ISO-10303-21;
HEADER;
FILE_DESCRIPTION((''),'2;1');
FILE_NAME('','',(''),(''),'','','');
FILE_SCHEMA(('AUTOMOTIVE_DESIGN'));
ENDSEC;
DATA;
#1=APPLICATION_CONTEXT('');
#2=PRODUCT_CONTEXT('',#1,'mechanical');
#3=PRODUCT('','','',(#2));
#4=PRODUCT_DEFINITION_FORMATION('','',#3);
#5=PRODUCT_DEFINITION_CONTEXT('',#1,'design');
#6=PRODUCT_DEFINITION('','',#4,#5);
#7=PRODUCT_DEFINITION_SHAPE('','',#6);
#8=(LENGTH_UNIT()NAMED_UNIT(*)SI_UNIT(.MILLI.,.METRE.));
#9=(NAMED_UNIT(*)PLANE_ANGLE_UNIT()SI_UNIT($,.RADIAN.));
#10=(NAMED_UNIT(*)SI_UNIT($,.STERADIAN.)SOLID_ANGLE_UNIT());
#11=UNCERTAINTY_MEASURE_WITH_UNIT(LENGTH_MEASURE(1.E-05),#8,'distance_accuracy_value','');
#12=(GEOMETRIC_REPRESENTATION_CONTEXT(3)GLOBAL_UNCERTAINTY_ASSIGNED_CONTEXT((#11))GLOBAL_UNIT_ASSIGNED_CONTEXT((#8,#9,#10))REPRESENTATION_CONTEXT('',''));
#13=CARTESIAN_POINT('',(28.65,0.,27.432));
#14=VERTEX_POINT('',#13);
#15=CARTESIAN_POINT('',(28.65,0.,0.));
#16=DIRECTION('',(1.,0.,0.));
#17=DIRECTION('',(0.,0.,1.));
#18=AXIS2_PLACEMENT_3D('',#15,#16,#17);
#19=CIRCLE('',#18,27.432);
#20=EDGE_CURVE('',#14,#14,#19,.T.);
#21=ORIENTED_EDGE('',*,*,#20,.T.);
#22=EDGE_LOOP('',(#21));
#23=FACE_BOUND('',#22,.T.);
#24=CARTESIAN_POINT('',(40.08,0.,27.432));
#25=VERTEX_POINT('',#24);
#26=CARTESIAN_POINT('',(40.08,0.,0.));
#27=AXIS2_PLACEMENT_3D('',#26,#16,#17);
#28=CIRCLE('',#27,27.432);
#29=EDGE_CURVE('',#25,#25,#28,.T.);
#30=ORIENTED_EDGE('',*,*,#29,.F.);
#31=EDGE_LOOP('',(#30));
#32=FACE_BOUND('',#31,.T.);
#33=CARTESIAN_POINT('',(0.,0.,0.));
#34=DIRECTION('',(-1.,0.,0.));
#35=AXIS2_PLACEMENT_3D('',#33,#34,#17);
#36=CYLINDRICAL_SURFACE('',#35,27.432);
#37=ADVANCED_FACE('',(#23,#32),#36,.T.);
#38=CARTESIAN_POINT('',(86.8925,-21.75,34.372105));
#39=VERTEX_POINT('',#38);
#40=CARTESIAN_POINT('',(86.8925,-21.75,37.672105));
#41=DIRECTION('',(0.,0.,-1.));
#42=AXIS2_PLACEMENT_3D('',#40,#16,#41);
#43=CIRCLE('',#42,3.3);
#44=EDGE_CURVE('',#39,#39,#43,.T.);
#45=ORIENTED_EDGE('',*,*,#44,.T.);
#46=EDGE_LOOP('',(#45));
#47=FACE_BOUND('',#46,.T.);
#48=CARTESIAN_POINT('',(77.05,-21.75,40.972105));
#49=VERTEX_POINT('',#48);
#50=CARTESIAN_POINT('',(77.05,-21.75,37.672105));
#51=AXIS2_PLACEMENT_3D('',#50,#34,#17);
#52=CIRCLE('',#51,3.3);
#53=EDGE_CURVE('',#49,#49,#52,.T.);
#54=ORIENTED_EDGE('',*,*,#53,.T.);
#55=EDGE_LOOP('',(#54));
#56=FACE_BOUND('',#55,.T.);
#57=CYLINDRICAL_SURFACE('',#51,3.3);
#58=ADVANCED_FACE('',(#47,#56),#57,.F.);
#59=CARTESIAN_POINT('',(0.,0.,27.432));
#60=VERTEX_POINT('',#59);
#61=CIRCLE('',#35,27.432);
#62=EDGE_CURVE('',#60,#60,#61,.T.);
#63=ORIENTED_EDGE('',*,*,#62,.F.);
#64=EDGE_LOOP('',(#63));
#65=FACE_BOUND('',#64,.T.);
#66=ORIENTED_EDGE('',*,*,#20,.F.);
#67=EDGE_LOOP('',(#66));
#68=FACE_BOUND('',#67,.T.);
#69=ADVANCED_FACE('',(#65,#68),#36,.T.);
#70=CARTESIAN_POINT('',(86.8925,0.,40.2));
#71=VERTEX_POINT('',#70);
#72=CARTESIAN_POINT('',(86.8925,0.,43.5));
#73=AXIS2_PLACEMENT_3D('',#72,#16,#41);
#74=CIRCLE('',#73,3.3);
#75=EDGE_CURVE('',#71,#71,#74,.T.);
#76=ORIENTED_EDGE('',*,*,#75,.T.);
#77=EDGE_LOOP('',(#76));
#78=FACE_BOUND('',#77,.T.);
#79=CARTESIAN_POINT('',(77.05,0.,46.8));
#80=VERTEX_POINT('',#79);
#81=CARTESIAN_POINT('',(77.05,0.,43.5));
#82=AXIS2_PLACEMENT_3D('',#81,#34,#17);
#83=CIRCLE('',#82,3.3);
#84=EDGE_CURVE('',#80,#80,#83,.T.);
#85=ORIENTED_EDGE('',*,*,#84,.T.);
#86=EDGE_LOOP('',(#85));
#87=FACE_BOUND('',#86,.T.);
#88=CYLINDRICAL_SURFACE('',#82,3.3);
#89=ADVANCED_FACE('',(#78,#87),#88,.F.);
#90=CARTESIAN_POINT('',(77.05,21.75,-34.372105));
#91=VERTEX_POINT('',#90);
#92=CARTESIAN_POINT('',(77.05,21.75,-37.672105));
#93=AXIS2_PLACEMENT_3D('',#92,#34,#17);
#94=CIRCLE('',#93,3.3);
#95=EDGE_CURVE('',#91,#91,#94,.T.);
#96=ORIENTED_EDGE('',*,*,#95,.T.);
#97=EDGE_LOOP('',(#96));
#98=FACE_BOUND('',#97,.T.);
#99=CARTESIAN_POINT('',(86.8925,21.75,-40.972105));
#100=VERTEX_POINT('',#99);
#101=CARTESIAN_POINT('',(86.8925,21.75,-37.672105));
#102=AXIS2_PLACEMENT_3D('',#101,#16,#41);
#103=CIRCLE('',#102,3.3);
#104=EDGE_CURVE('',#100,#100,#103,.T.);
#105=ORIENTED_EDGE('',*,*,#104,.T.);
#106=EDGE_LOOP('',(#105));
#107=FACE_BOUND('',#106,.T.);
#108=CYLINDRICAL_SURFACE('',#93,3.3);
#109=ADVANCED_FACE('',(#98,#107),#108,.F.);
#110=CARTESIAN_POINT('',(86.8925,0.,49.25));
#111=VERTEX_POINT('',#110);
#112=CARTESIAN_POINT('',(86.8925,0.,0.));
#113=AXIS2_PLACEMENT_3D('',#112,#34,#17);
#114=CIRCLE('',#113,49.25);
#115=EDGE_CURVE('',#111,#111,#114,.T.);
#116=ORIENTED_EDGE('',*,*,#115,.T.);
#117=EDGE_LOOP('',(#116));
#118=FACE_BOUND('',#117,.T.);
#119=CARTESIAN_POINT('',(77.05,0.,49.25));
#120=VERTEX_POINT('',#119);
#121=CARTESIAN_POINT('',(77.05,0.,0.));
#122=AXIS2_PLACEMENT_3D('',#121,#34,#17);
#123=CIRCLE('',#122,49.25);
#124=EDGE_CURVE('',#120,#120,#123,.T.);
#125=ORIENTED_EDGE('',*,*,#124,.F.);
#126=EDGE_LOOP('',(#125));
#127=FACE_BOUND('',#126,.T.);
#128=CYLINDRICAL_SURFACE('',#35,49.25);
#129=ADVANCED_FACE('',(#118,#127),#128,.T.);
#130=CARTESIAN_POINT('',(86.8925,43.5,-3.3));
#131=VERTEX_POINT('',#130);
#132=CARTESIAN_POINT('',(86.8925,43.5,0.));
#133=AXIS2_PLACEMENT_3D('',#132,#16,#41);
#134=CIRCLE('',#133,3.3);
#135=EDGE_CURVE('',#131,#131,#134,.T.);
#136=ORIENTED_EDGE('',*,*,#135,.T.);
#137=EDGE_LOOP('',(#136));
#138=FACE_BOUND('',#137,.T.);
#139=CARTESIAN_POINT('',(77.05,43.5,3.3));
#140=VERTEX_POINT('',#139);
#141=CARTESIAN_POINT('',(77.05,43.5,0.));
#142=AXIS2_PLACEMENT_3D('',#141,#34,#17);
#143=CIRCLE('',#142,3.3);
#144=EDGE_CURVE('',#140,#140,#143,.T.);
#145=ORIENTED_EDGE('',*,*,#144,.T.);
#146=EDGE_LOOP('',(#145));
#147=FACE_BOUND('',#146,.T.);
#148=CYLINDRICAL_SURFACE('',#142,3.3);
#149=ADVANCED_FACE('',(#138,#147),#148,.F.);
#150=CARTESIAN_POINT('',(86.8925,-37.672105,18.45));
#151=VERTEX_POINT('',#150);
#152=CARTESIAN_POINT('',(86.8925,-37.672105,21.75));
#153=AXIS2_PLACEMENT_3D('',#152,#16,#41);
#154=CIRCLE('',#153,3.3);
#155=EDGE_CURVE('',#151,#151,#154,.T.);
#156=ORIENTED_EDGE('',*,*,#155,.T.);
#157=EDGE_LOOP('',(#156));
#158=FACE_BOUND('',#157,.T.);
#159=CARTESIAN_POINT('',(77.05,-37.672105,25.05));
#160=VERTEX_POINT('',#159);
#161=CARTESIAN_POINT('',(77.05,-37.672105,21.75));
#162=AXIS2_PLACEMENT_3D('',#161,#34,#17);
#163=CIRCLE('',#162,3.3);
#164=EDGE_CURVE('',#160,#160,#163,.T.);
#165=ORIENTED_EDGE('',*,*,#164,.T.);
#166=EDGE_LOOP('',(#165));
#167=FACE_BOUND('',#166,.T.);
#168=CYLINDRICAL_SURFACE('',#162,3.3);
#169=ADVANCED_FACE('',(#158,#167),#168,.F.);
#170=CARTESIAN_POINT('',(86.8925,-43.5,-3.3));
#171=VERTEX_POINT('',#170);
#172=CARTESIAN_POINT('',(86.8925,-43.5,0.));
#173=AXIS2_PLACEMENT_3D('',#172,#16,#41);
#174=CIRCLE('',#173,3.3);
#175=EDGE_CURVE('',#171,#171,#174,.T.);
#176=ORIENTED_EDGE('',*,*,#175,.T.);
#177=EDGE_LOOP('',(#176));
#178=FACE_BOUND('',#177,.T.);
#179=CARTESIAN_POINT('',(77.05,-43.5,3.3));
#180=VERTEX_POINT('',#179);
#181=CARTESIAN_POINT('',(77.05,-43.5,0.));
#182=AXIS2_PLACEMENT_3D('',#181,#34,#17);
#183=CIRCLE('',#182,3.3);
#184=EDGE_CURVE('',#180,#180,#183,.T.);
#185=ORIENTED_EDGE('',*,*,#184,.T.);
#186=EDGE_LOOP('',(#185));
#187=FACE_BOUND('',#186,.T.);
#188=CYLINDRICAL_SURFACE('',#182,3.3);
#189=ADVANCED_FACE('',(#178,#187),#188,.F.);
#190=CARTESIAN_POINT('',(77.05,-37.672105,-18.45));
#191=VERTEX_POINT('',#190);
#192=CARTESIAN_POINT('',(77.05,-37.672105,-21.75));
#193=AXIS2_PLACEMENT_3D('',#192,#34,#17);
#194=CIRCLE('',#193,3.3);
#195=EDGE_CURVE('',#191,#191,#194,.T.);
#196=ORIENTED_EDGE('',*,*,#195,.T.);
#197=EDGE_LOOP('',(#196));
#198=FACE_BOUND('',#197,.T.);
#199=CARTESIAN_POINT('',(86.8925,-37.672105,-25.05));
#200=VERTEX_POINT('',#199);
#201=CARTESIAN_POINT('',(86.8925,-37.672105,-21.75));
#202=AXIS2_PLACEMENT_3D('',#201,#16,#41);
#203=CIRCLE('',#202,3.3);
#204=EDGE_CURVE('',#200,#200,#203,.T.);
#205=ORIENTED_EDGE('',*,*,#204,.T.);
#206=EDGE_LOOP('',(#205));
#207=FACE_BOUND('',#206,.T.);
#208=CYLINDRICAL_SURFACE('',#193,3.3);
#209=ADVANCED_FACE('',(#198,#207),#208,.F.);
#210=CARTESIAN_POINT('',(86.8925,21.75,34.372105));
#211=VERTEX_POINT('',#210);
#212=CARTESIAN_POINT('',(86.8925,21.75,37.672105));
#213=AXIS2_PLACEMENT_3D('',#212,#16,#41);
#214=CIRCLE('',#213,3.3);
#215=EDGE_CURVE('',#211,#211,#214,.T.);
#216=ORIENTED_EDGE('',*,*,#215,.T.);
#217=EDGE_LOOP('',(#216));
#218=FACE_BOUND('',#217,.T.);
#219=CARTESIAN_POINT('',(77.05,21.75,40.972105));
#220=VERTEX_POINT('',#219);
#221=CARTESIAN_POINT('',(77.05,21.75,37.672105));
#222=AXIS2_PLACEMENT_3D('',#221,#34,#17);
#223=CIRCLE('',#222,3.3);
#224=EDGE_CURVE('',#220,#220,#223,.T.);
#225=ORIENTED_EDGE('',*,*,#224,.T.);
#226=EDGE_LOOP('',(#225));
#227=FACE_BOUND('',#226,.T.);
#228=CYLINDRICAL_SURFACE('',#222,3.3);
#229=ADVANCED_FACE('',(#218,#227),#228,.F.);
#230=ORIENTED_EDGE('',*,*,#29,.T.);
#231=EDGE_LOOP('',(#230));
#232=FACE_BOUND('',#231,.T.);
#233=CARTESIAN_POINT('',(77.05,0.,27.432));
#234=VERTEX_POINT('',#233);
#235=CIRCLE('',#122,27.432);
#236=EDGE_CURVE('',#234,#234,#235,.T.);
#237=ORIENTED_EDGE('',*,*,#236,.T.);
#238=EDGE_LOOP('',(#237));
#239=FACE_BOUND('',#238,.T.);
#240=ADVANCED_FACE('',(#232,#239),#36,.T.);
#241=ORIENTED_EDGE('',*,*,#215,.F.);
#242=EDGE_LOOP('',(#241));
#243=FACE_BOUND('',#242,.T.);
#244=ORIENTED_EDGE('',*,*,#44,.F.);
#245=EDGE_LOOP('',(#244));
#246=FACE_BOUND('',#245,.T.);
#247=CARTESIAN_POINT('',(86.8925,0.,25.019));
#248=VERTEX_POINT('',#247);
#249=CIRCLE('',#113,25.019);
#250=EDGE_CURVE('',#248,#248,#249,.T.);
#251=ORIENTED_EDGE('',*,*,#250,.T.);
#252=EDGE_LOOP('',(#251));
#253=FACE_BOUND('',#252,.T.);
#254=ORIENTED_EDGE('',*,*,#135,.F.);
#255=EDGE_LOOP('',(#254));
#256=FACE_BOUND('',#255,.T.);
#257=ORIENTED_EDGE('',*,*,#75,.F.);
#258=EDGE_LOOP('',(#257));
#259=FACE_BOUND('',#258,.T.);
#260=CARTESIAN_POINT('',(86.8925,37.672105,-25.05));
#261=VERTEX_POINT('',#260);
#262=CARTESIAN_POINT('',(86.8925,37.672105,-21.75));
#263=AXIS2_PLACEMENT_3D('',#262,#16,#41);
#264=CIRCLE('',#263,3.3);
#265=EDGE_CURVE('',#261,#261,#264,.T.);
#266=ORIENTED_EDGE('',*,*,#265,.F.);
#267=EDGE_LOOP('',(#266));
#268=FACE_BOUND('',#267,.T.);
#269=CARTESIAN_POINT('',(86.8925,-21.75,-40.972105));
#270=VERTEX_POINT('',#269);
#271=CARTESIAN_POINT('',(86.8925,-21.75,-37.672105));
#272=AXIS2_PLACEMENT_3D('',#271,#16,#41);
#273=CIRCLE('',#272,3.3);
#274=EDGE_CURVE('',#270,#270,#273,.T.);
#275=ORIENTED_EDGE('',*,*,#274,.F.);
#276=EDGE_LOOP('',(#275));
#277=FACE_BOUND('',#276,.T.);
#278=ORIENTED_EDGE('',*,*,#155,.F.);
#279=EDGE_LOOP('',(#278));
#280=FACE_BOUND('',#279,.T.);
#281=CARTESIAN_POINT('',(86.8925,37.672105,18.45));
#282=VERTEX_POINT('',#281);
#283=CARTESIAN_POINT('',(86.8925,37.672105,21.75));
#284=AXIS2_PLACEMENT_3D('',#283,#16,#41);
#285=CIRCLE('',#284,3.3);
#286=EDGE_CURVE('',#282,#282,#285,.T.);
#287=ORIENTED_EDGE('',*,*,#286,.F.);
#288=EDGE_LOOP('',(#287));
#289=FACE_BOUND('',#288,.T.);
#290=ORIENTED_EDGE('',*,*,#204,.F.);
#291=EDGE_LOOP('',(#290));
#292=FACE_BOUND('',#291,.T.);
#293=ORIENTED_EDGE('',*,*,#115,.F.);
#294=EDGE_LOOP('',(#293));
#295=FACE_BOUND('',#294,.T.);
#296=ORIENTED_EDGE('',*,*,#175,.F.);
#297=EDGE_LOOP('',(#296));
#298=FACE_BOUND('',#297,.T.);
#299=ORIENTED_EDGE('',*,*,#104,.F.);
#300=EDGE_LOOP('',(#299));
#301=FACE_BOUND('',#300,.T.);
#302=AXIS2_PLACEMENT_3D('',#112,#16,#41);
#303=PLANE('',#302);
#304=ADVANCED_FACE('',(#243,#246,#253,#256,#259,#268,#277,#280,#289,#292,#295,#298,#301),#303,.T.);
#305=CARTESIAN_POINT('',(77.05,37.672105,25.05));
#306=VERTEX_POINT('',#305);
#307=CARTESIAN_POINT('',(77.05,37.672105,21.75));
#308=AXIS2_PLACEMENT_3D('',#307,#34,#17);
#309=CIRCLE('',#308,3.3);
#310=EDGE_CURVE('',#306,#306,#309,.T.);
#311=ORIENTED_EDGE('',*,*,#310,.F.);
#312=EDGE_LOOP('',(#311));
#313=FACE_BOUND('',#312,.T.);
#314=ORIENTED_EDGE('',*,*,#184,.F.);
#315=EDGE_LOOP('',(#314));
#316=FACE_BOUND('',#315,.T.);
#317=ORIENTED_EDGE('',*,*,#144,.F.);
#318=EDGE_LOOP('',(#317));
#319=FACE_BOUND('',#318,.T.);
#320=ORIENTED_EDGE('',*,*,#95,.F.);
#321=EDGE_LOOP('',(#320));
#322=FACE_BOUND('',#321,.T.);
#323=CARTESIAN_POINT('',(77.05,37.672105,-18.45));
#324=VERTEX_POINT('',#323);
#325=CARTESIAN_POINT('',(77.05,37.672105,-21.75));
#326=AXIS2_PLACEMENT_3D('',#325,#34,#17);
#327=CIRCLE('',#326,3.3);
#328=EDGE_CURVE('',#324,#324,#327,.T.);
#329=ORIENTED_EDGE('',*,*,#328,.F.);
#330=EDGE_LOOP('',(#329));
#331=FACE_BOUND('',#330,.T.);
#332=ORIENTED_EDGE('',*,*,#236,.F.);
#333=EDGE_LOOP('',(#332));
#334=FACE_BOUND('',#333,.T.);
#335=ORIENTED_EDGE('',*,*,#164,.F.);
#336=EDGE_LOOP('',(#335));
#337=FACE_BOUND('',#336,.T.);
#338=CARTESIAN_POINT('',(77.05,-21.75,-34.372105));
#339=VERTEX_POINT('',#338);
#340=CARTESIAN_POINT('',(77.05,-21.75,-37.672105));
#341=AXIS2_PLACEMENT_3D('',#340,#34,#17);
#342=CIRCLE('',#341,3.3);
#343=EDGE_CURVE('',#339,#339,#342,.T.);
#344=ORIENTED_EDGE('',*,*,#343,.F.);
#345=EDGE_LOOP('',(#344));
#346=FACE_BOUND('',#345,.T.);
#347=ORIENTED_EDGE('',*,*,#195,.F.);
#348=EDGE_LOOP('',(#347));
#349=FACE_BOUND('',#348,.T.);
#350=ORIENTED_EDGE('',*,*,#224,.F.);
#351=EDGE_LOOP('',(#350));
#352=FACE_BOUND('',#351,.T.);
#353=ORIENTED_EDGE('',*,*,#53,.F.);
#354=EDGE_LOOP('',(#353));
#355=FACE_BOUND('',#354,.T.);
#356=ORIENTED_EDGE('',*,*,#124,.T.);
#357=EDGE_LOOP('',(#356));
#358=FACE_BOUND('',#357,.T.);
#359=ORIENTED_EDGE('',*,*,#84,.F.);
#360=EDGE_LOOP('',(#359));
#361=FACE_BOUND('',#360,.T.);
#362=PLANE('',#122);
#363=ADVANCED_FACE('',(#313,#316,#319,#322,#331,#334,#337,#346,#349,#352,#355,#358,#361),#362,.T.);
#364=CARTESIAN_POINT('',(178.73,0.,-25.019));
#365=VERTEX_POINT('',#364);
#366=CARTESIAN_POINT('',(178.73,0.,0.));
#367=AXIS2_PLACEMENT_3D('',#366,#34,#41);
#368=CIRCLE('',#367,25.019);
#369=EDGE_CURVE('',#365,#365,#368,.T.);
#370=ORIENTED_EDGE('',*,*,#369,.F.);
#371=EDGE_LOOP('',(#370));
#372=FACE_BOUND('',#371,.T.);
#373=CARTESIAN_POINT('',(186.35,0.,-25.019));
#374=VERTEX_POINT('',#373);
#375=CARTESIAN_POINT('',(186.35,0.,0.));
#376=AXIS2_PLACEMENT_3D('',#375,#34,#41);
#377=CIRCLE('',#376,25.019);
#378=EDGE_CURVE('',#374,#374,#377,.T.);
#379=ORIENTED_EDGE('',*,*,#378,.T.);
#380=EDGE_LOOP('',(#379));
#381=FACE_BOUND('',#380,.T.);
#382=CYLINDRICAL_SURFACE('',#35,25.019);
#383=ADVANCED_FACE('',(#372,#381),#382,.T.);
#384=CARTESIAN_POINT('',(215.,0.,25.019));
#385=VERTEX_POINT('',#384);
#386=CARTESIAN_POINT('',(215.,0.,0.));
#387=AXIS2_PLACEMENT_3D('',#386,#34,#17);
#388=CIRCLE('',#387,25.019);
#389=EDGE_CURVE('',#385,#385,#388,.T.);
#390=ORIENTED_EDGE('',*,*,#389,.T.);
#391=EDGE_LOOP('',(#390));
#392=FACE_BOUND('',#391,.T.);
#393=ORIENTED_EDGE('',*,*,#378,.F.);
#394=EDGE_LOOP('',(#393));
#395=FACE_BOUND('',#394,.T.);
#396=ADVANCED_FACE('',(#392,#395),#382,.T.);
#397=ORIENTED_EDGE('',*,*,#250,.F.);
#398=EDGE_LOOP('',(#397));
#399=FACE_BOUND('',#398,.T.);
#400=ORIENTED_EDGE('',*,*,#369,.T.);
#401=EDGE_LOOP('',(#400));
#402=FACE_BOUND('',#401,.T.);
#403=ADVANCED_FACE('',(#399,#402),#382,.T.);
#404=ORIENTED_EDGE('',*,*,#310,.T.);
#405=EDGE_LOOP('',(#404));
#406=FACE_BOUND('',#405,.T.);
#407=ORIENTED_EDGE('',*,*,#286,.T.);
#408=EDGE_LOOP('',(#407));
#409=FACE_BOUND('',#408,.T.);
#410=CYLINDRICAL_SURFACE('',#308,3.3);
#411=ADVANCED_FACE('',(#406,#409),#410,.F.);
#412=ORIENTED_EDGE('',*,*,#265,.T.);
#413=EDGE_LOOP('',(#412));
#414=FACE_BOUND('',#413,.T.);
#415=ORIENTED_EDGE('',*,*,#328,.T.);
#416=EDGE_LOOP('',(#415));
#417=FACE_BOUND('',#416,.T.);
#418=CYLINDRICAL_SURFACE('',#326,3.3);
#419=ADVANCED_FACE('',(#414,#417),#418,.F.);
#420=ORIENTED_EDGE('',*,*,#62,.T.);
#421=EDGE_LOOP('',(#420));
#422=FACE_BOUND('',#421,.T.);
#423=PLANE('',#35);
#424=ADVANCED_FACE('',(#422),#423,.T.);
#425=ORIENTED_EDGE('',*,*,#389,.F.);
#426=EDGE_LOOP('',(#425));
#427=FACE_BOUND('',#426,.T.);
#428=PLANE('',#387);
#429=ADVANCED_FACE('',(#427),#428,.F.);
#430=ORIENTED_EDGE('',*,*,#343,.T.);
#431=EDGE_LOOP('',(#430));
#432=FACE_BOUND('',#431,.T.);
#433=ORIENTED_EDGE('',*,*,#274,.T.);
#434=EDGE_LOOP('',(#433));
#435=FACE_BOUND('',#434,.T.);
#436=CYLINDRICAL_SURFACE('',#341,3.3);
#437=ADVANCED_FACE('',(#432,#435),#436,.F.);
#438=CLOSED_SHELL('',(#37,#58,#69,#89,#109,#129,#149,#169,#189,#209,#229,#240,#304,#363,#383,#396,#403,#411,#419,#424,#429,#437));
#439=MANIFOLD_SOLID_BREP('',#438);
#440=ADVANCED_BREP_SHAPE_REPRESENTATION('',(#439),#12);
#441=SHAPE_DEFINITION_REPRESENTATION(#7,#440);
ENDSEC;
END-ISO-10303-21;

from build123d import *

# Parameters (mm, degrees)
M6_CLEARANCE_HOLE1_D = 6.6


with BuildPart() as part:
    # Sketch1 → Revolve1 (revolve)
    with BuildSketch(Plane(origin=(0, 0, 0), x_dir=(1, 0, 0), z_dir=(0, 1, 0)), mode=Mode.PRIVATE) as revolve1_sk:
        Polygon((0, 0), (215, 0), (215, 25.019), (148.198, 25.019), (86.8925, 25.019), (86.8925, 49.25), (77.05, 49.25), (77.05, 27.432), (0, 27.432), align=None)
    revolve(revolve1_sk.sketch.rotate(Axis((0, 0, 0), (1, 0, 0)), 180), axis=Axis((0, 0, 0), (1, 0, 0)))

    # M6 Clearance Hole1 (through all)
    with Locations(Plane(origin=(77.05, -25.41686526, -173.860891127), x_dir=(0, 0.3426508024612423, 0.9394628399104814), z_dir=(-1, 0, 0))):
        with Locations((129.200757828, -43.220313279), (138.703261819, -63.634261455), (157.139645763, -76.562007172), (179.56989547, -78.539571404), (199.983843646, -69.037067413), (212.911589362, -50.60068347), (214.889153595, -28.170433763), (205.386649604, -7.756485587), (186.95026566, 5.17126013), (164.520015953, 7.148824362), (144.106067777, -2.353679629)):
            Hole(M6_CLEARANCE_HOLE1_D / 2)


solid = part.part
